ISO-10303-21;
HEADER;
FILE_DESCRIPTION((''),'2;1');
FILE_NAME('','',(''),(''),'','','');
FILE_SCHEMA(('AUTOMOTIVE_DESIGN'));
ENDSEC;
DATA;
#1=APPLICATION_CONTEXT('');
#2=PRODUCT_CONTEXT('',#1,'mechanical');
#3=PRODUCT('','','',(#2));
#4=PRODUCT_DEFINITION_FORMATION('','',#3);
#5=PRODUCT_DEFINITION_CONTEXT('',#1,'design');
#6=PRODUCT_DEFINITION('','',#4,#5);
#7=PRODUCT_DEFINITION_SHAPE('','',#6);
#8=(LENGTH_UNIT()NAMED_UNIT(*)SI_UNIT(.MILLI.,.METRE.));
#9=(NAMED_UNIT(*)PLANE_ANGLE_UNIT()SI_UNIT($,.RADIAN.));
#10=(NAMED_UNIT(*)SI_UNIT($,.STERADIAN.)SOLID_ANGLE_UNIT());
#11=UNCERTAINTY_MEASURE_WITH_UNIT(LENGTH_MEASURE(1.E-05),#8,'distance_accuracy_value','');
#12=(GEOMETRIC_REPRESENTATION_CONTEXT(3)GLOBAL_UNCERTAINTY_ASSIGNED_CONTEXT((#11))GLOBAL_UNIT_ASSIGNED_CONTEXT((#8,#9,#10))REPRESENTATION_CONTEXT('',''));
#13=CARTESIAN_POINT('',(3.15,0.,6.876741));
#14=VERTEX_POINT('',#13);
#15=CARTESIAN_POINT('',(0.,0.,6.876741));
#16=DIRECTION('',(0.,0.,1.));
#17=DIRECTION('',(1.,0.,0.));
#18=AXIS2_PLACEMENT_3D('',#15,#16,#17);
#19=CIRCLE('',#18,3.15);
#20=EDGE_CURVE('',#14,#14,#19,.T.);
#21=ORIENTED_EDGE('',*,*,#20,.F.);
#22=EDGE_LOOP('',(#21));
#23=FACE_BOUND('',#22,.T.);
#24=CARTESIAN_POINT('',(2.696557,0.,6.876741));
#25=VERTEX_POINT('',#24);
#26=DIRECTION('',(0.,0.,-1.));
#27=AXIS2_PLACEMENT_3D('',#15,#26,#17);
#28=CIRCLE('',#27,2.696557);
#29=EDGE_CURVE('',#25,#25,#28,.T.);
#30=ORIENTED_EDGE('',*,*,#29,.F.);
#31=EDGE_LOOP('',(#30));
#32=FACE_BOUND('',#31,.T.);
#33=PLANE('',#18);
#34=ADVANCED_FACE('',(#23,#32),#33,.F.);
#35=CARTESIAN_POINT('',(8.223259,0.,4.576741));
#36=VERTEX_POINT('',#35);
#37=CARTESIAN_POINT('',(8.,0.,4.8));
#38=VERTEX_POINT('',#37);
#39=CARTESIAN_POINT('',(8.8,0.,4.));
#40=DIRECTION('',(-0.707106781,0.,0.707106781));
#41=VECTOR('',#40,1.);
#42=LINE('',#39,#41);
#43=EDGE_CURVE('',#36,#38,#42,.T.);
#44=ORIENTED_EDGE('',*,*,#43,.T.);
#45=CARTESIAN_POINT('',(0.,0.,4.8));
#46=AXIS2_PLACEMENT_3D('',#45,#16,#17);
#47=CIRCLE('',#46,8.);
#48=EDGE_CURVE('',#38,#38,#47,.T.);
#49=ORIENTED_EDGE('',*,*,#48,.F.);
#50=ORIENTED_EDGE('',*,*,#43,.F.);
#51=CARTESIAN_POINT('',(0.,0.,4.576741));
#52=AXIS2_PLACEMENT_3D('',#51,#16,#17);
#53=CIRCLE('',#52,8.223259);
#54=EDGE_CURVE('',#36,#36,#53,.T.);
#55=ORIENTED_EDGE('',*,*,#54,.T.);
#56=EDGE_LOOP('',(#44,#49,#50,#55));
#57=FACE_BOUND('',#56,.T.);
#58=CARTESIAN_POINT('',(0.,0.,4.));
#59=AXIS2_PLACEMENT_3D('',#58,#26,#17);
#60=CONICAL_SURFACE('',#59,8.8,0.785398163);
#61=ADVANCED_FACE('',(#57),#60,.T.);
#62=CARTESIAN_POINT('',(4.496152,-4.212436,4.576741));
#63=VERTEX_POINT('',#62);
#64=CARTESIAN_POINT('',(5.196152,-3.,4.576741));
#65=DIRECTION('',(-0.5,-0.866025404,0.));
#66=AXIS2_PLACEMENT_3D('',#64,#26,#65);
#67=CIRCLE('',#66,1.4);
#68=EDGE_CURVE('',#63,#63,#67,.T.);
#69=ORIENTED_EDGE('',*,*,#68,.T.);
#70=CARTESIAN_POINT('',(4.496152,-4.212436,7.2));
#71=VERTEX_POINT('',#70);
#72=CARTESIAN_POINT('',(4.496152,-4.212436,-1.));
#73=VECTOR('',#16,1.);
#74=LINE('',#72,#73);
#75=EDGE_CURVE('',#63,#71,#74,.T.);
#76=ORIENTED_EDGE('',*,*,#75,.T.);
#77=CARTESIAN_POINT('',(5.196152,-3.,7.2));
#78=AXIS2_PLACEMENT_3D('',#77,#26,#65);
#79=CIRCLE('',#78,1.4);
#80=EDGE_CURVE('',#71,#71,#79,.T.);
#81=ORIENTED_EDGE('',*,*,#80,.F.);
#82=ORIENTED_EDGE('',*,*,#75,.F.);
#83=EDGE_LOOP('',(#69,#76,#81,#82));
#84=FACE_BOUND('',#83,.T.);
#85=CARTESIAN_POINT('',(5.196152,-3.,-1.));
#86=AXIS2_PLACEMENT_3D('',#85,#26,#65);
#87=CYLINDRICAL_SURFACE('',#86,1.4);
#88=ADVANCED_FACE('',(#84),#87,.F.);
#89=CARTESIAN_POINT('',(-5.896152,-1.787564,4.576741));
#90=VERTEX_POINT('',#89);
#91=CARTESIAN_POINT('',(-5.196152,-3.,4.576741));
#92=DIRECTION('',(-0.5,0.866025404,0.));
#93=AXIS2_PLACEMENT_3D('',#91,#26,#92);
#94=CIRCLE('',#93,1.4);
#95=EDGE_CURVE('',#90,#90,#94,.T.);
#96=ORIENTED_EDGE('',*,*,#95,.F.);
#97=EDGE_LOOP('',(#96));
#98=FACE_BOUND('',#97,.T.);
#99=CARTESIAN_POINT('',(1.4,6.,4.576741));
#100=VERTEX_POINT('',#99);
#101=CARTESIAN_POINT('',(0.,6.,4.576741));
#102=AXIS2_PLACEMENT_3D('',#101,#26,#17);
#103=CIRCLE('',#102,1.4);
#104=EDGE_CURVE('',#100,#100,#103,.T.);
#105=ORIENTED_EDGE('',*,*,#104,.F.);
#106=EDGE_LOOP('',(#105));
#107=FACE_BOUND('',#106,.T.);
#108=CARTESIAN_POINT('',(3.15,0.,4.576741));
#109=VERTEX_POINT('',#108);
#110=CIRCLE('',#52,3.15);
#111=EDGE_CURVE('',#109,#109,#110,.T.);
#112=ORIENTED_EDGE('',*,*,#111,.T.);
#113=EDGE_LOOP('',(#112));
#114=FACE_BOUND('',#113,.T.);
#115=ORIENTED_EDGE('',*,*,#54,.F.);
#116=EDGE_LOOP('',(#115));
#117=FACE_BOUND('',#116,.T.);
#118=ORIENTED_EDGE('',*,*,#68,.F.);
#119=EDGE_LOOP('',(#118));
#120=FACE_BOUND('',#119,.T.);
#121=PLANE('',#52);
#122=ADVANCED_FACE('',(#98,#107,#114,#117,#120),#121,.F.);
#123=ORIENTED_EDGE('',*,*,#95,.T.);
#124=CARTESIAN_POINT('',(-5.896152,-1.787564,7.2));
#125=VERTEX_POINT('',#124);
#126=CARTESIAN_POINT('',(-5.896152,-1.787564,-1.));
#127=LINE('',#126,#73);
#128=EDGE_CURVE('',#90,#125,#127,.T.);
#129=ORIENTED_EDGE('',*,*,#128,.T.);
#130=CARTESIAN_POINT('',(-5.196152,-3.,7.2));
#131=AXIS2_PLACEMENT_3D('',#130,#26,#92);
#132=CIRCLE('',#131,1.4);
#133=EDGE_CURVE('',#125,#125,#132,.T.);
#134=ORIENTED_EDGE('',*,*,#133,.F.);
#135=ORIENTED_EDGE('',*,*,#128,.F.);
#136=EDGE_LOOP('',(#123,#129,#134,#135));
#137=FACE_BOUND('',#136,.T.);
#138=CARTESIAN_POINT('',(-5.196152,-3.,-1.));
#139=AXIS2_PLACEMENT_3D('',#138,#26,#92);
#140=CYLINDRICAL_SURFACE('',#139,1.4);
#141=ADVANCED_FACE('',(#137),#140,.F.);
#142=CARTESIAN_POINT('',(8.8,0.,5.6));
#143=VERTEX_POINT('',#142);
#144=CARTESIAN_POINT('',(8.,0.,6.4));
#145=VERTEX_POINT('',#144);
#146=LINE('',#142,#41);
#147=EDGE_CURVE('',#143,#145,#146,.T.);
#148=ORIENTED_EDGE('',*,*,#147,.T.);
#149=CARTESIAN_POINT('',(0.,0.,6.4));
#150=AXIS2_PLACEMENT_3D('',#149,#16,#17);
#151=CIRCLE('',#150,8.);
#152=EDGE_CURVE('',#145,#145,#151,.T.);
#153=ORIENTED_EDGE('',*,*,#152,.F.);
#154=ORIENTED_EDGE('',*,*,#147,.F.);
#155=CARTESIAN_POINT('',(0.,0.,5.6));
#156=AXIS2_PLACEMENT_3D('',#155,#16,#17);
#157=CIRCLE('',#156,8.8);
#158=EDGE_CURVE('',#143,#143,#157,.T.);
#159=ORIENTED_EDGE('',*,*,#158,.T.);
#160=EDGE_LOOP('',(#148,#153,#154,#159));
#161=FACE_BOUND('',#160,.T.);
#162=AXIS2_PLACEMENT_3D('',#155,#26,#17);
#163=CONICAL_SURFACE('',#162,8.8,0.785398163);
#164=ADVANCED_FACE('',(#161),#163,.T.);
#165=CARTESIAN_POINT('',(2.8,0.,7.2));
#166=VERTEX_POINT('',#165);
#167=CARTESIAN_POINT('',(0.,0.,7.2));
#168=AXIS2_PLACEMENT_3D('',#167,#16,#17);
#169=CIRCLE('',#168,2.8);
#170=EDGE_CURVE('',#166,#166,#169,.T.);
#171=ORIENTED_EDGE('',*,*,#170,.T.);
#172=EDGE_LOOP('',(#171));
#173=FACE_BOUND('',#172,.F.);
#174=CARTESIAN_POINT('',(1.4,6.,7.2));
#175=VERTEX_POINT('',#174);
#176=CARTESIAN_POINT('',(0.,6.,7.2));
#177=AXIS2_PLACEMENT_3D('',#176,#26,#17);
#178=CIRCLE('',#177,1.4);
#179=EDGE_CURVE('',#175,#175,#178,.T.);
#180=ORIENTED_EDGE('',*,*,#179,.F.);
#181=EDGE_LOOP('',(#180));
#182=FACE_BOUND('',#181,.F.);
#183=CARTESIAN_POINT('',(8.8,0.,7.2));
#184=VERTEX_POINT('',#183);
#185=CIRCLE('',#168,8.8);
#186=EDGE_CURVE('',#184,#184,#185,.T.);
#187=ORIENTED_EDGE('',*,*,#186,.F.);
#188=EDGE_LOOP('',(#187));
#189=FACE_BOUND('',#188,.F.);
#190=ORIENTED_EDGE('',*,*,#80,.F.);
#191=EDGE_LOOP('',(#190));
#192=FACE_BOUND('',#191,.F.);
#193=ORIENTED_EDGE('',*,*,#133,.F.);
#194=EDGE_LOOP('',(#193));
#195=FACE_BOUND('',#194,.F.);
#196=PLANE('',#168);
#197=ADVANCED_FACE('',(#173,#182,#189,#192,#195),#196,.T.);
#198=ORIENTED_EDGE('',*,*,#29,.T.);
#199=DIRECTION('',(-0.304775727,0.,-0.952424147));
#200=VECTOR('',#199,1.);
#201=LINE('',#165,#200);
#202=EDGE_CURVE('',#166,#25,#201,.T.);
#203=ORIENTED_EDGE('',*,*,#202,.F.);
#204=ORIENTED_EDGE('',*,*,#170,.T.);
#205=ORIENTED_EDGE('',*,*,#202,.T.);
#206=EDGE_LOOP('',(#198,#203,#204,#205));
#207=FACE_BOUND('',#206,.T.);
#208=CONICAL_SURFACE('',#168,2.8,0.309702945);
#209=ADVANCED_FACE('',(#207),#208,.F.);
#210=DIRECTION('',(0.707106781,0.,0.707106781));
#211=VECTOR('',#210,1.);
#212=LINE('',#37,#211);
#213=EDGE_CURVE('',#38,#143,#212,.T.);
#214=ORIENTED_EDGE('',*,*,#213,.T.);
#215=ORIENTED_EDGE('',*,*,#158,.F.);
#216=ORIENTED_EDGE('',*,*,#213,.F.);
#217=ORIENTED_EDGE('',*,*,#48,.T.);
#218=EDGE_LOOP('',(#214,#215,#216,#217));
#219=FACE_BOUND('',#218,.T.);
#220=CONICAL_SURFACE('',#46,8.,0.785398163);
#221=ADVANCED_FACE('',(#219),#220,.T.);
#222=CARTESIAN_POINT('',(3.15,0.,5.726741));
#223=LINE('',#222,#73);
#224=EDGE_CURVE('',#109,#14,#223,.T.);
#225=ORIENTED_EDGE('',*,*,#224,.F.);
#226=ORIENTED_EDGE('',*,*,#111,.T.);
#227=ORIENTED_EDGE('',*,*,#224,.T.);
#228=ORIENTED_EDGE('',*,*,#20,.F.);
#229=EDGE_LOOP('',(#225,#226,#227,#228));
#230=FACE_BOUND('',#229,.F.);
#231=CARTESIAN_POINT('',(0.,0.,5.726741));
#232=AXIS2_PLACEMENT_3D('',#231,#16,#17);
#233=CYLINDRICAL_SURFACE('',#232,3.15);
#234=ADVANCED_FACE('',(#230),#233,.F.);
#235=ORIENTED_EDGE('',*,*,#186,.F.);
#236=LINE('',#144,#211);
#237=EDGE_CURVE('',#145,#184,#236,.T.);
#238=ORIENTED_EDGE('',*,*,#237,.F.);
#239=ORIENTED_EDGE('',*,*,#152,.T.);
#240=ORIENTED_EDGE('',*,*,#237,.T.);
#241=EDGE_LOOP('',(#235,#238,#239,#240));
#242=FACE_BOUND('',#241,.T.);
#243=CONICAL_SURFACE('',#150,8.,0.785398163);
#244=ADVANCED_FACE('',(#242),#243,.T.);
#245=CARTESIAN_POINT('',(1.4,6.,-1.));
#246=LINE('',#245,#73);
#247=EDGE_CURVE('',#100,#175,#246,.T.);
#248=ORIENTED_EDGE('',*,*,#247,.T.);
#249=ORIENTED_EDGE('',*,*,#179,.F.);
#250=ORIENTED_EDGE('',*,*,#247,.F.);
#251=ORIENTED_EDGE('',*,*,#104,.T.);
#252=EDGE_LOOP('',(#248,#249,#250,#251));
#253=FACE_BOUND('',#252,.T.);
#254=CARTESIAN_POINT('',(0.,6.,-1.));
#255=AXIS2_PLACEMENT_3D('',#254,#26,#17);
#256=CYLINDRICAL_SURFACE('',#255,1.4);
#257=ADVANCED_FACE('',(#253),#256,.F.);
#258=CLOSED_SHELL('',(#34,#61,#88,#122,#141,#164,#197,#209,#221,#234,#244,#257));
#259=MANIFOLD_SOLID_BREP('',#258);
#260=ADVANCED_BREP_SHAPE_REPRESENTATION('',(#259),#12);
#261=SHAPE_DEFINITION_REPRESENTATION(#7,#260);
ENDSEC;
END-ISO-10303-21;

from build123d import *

# Parameters (mm, degrees)
SKETCH019_W    = 10
SKETCH019_H    = 2.7812096768
SKETCH005_W    = 10
SKETCH005_H    = 2.2955317108
CYLINDER_R     = 1.4
CYLINDER_DEPTH = 10
ARRAY001_COUNT = 3
SKETCH018_W    = 3.15
SKETCH018_H    = 2.3
SKETCH002_W    = 5
SKETCH002_H    = 6.8
ARRAY_Z_COUNT  = 6
ARRAY_Z_PITCH  = 1.6


with BuildPart() as clone_of_middledom001:
    # Sketch019 → Revolution008 (revolve)
    with BuildSketch(Plane.XZ):
        with Locations((5, 3.1861365492)):
            Rectangle(SKETCH019_W, SKETCH019_H)
    revolve(axis=Axis((0, 0, 0), (0, 0, 1)))


with BuildPart() as clone_of_lowerdomain001:
    # Sketch005 → Revolution004 (revolve)
    with BuildSketch(Plane.XZ):
        with Locations((5, 0.6477658554)):
            Rectangle(SKETCH005_W, SKETCH005_H)
    revolve(axis=Axis((0, 0, 0), (0, 0, 1)))


with BuildPart() as boltholes:
    # Cylinder → Cylinder (new body)
    with BuildSketch(Plane(origin=(0, 6, -1), x_dir=(1, 0, 0), z_dir=(0, 0, 1))):
        Circle(CYLINDER_R)
    extrude(amount=CYLINDER_DEPTH)

    # Array001: BoltHoles ×3 about axis
    array001_axis = Axis((0, 0, 0), (0, 0, 1))


with BuildPart() as boltholes_1:
    add(boltholes.part)
    for i in range(1, ARRAY001_COUNT):
        add(boltholes.part.rotate(array001_axis, i * 360 / ARRAY001_COUNT))


with BuildPart() as ps2long001:
    # Sketch018 → Revolution007 (revolve)
    with BuildSketch(Plane.XZ):
        with Locations((1.575, 5.7267413876)):
            Rectangle(SKETCH018_W, SKETCH018_H)
    revolve(axis=Axis((0, 0, 0), (0, 0, 1)))


with BuildPart() as clone_of_laq:
    # Sketch007 → Revolution006 (revolve)
    with BuildSketch(Plane.XZ):
        with BuildLine():
            ThreePointArc((1.5, 1.7955317108), (0.867020761, 2.4322916436), (0, 2.6655317108))
            Line((0, 2.6655317108), (0, 0.7955317108))
            Line((0, 0.7955317108), (1.5, 0.7955317108))
            Line((1.5, 1.7955317108), (1.5, 0.7955317108))
        make_face()
    revolve(axis=Axis((0, 0, 0), (0, 0, 1)))


with BuildPart() as innergroovedom001:
    # Sketch002 → Revolution002 (revolve)
    with BuildSketch(Plane.XZ):
        with Locations((7.5, 3.8)):
            Rectangle(SKETCH002_W, SKETCH002_H)
    revolve(axis=Axis((0, 0, 0), (0, 0, 1)))


with BuildPart() as innergroovetool:
    # Sketch001 → Revolution001 (revolve)
    with BuildSketch(Plane.XZ):
        Polygon((4, 8), (4, 6.4), (8, 6.4), (8.8, 7.2), (8, 8), align=None)
    revolve(axis=Axis((0, 0, 0), (0, 0, 1)))

    # Array Z: InnerGrooveTool ×6


with BuildPart() as innergroovetool_1:
    add(innergroovetool.part)
    with Locations(*[(0, 0, -i * ARRAY_Z_PITCH) for i in range(1, ARRAY_Z_COUNT)]):
        add(innergroovetool.part)

    # Common: intersect InnerGrooveDom001
    add(innergroovedom001.part, mode=Mode.INTERSECT)


with BuildPart() as laq0202nlaq0617upper:
    # Sketch → Revolution (revolve)
    with BuildSketch(Plane.XZ):
        Polygon((1.2, 0.4), (8, 0.4), (8, 7.2), (2.8, 7.2), (1.2, 2.2), align=None)
    revolve(axis=Axis((0, 0, 0), (0, 0, 1)))

    # Fusion001: union InnerGrooveTool
    add(innergroovetool_1.part)

    # Cut: cut Clone of LAQ
    add(clone_of_laq.part, mode=Mode.SUBTRACT)

    # Cut003: cut PS2Long001
    add(ps2long001.part, mode=Mode.SUBTRACT)

    # Cut001: cut BoltHoles
    add(boltholes_1.part, mode=Mode.SUBTRACT)

    # Cut002: cut Clone of LowerDomain001
    add(clone_of_lowerdomain001.part, mode=Mode.SUBTRACT)

    # Cut004: cut Clone of MiddleDom001
    add(clone_of_middledom001.part, mode=Mode.SUBTRACT)


solid = laq0202nlaq0617upper.part
